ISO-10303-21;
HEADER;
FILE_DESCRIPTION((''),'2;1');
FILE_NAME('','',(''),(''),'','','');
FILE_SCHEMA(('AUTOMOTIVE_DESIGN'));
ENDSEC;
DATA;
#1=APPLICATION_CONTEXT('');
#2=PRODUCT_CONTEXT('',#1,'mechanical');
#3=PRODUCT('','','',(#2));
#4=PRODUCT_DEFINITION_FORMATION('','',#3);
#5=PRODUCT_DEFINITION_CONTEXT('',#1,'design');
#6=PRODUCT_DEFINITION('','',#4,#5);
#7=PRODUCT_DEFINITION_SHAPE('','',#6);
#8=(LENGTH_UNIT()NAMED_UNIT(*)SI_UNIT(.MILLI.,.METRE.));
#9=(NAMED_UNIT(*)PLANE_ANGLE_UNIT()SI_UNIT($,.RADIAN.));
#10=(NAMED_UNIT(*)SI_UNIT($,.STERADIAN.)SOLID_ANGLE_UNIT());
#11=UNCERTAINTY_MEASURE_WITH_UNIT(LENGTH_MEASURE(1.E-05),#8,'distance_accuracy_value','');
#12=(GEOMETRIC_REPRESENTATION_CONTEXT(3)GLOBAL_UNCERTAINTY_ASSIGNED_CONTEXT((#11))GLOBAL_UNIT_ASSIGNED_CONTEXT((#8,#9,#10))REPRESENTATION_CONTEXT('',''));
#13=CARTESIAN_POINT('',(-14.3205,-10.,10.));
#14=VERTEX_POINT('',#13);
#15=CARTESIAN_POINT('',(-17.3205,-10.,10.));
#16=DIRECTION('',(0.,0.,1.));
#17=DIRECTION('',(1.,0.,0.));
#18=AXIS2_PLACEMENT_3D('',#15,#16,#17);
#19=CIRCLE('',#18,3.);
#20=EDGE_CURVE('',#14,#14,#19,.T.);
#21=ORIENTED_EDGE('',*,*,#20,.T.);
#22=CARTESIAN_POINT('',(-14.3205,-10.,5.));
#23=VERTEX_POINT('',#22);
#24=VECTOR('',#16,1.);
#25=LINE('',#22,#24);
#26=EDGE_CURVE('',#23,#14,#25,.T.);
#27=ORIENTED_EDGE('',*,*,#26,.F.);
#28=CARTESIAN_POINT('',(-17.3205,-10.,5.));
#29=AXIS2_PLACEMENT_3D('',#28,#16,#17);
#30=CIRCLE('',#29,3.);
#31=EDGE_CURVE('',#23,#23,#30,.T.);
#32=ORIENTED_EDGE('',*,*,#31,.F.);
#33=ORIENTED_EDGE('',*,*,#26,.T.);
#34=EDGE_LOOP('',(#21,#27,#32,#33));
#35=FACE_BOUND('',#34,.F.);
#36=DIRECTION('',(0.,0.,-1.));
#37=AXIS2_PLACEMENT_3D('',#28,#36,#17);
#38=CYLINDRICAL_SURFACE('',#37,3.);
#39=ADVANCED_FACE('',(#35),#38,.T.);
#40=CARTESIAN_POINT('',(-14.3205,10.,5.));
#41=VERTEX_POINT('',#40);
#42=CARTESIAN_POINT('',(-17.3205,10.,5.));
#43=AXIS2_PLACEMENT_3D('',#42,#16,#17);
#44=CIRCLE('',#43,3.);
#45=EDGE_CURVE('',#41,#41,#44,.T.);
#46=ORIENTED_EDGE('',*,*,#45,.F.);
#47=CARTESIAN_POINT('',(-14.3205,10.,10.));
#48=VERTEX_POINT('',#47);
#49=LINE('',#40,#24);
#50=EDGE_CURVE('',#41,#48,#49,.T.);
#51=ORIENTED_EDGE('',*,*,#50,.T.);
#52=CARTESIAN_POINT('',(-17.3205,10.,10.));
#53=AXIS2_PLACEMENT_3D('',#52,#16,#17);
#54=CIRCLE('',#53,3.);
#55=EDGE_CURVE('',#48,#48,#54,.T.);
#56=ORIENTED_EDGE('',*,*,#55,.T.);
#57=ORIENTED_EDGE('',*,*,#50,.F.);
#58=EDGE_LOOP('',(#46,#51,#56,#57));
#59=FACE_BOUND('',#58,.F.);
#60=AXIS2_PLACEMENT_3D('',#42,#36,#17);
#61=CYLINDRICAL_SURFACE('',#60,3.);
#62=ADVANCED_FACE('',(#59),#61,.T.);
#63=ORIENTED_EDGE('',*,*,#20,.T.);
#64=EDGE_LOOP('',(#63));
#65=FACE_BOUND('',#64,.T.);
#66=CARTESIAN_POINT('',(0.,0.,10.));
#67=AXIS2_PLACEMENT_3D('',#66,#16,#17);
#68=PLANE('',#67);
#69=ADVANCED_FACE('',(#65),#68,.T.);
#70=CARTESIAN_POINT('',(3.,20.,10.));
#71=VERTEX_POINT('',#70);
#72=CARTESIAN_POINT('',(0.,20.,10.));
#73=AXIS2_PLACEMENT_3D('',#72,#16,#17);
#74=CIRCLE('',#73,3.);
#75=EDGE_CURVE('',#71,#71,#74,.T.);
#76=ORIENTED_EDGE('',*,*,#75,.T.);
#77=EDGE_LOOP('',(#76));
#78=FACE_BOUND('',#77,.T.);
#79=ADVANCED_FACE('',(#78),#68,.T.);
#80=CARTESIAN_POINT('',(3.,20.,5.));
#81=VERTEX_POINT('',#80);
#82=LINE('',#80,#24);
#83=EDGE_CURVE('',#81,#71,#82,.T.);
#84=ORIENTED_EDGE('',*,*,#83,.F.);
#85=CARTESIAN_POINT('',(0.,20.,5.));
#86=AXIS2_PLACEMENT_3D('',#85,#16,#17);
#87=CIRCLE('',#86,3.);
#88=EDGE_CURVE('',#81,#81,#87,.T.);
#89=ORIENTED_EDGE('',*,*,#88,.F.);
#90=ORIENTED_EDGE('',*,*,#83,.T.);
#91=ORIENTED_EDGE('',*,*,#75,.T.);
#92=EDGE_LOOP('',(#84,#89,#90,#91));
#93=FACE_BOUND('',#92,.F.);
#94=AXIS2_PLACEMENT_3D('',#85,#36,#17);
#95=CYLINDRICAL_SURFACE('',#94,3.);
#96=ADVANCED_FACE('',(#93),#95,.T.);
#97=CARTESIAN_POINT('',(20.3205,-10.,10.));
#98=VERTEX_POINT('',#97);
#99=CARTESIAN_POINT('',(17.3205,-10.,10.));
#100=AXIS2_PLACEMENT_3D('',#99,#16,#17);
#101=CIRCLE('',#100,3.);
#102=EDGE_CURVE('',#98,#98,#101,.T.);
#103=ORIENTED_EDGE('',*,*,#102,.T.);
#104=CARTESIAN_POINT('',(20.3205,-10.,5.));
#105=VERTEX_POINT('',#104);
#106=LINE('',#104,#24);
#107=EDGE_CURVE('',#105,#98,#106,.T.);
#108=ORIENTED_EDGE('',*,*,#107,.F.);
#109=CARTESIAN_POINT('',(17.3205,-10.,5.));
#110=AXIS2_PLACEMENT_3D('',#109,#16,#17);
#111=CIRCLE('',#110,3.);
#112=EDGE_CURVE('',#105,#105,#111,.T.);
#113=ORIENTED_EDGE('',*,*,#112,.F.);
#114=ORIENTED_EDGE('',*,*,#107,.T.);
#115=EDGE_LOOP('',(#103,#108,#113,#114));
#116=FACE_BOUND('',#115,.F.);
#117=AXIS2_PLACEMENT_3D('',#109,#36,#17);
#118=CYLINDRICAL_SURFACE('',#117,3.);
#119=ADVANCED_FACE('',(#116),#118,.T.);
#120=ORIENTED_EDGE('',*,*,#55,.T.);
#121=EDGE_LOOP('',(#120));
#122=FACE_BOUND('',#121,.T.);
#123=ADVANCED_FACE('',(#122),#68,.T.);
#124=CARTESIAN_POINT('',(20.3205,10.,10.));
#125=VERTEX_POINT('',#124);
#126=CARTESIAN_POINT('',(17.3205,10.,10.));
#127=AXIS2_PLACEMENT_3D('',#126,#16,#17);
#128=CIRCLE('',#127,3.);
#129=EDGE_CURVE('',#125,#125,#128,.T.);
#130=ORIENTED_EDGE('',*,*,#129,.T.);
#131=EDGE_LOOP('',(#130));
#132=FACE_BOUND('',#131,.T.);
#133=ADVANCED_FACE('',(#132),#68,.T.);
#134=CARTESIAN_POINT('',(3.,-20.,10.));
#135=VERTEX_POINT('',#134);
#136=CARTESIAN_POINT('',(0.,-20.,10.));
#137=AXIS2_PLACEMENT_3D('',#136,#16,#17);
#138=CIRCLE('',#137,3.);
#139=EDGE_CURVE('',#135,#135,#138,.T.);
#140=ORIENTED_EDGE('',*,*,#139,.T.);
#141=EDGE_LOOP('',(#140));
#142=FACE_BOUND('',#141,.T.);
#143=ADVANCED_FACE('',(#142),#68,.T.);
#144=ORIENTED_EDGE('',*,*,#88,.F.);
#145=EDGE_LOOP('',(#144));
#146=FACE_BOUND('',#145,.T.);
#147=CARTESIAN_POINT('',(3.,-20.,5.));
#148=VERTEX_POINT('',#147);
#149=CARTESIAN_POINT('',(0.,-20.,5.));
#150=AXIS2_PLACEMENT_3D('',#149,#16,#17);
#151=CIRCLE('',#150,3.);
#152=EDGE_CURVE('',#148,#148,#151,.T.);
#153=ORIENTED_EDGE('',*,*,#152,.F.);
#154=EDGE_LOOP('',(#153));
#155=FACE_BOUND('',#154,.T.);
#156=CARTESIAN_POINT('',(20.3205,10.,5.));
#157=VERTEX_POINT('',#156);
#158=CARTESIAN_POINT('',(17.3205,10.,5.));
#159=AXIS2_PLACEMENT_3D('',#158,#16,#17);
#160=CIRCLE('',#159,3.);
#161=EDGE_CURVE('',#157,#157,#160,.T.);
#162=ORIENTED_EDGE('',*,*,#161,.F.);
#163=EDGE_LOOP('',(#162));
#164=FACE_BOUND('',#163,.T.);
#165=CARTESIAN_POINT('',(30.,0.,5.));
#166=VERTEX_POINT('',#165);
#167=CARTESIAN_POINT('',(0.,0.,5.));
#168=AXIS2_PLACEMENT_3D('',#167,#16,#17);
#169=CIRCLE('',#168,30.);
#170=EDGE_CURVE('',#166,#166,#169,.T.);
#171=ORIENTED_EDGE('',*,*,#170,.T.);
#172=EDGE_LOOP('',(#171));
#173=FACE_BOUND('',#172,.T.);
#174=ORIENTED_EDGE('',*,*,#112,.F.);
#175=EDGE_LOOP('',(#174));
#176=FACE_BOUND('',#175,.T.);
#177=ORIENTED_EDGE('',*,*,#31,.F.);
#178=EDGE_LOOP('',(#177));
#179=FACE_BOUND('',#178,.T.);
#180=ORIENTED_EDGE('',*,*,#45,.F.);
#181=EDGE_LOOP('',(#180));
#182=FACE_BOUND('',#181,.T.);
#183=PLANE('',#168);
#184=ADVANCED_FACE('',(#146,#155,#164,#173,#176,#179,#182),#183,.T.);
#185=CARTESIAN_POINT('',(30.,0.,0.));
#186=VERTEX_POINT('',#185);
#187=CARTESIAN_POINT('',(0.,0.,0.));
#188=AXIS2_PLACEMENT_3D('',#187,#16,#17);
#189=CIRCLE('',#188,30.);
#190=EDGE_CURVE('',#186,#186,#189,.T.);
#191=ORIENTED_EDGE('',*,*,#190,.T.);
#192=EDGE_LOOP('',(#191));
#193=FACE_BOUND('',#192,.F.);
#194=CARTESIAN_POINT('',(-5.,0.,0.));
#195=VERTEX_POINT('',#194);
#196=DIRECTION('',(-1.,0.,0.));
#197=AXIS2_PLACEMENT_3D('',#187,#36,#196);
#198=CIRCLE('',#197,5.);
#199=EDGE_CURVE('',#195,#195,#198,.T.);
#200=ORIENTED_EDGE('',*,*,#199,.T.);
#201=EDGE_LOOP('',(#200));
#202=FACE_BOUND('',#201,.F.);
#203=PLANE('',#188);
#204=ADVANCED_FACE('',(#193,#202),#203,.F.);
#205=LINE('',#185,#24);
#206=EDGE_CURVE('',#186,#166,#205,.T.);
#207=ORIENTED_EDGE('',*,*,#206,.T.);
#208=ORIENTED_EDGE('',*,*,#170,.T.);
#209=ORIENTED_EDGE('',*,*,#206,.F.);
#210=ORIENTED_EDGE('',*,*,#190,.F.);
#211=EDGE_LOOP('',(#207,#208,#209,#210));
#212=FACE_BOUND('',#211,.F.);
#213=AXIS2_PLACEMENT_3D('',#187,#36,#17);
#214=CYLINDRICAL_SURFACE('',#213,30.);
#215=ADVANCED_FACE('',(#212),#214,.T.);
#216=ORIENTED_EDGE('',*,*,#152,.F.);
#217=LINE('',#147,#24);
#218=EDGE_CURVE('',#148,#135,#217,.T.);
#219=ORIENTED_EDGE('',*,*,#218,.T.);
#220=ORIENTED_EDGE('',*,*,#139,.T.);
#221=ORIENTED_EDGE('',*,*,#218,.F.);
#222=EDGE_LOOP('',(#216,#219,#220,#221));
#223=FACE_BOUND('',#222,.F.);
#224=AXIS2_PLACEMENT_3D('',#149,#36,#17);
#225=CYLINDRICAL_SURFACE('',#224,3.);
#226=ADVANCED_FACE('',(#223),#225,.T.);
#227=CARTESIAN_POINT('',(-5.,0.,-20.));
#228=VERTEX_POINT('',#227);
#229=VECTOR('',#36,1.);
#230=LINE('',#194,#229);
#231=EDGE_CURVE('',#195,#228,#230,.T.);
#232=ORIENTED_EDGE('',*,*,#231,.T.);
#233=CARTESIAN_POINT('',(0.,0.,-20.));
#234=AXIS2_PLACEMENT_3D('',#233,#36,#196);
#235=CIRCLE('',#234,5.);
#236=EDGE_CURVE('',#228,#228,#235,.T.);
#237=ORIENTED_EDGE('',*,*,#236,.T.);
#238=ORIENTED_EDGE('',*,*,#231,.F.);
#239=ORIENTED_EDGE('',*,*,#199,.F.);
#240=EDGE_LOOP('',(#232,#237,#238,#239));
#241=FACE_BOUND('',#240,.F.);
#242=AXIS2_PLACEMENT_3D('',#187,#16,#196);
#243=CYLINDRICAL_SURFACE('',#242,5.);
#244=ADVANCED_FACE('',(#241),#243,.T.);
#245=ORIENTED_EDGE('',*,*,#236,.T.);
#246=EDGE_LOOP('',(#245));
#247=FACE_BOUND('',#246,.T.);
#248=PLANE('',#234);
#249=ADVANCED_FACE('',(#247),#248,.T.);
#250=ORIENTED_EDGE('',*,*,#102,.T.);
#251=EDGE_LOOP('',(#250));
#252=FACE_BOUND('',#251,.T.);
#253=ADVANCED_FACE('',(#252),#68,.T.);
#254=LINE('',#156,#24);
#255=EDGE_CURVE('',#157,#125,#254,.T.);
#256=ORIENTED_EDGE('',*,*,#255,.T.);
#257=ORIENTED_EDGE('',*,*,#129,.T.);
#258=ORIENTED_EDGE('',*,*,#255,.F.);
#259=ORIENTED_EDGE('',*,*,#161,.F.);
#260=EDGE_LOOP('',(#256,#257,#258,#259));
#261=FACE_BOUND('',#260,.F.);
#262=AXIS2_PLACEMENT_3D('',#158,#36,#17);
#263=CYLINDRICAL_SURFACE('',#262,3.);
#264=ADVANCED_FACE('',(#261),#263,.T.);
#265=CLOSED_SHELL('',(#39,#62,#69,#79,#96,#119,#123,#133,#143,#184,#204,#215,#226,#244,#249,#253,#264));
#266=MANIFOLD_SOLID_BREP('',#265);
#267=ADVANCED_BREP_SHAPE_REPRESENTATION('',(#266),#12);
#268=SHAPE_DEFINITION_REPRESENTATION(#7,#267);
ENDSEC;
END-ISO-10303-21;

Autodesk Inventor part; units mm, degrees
ref_plane "YZ Plane" through (0, 0, 0) normal (1, 0, 0) x (0, 1, 0)
ref_plane "XZ Plane" through (0, 0, 0) normal (0, 1, 0) x (-1, 0, 0)
ref_plane "XY Plane" through (0, 0, 0) normal (0, 0, 1) x (1, 0, 0)
sketch "草圖1" plane through (0, 0, 0) normal (0, 0, 1) x (1, 0, 0)
  circle A0 centre (0, 0) radius 30
  dimension "d0" = 60
extrude "擠出1" add sketch "草圖1" along normal blind 5
sketch "草圖2" plane through (0, 0, 5) normal (0, 0, 1) x (1, 0, 0)
  circle A0 centre (0, 20) radius 3
  circle A1 centre (-17.3205, 10) radius 3
  circle A2 centre (-17.3205, -10) radius 3
  circle A3 centre (0, -20) radius 3
  circle A4 centre (17.3205, -10) radius 3
  circle A5 centre (17.3205, 10) radius 3
  point P0 (0, 0)
  dimension "d4" = 6
  dimension "d5" = 20
  dimension "d8" = 360
extrude "擠出2" add sketch "草圖2" along normal blind 5
sketch "草圖3" plane through (0, 0, 0) normal (0, 0, -1) x (-1, 0, 0)
  circle A0 centre (0, 0) radius 5
  dimension "d12" = 10
extrude "擠出3" add sketch "草圖3" along normal blind 20
properties part number "Output_Shaft"
